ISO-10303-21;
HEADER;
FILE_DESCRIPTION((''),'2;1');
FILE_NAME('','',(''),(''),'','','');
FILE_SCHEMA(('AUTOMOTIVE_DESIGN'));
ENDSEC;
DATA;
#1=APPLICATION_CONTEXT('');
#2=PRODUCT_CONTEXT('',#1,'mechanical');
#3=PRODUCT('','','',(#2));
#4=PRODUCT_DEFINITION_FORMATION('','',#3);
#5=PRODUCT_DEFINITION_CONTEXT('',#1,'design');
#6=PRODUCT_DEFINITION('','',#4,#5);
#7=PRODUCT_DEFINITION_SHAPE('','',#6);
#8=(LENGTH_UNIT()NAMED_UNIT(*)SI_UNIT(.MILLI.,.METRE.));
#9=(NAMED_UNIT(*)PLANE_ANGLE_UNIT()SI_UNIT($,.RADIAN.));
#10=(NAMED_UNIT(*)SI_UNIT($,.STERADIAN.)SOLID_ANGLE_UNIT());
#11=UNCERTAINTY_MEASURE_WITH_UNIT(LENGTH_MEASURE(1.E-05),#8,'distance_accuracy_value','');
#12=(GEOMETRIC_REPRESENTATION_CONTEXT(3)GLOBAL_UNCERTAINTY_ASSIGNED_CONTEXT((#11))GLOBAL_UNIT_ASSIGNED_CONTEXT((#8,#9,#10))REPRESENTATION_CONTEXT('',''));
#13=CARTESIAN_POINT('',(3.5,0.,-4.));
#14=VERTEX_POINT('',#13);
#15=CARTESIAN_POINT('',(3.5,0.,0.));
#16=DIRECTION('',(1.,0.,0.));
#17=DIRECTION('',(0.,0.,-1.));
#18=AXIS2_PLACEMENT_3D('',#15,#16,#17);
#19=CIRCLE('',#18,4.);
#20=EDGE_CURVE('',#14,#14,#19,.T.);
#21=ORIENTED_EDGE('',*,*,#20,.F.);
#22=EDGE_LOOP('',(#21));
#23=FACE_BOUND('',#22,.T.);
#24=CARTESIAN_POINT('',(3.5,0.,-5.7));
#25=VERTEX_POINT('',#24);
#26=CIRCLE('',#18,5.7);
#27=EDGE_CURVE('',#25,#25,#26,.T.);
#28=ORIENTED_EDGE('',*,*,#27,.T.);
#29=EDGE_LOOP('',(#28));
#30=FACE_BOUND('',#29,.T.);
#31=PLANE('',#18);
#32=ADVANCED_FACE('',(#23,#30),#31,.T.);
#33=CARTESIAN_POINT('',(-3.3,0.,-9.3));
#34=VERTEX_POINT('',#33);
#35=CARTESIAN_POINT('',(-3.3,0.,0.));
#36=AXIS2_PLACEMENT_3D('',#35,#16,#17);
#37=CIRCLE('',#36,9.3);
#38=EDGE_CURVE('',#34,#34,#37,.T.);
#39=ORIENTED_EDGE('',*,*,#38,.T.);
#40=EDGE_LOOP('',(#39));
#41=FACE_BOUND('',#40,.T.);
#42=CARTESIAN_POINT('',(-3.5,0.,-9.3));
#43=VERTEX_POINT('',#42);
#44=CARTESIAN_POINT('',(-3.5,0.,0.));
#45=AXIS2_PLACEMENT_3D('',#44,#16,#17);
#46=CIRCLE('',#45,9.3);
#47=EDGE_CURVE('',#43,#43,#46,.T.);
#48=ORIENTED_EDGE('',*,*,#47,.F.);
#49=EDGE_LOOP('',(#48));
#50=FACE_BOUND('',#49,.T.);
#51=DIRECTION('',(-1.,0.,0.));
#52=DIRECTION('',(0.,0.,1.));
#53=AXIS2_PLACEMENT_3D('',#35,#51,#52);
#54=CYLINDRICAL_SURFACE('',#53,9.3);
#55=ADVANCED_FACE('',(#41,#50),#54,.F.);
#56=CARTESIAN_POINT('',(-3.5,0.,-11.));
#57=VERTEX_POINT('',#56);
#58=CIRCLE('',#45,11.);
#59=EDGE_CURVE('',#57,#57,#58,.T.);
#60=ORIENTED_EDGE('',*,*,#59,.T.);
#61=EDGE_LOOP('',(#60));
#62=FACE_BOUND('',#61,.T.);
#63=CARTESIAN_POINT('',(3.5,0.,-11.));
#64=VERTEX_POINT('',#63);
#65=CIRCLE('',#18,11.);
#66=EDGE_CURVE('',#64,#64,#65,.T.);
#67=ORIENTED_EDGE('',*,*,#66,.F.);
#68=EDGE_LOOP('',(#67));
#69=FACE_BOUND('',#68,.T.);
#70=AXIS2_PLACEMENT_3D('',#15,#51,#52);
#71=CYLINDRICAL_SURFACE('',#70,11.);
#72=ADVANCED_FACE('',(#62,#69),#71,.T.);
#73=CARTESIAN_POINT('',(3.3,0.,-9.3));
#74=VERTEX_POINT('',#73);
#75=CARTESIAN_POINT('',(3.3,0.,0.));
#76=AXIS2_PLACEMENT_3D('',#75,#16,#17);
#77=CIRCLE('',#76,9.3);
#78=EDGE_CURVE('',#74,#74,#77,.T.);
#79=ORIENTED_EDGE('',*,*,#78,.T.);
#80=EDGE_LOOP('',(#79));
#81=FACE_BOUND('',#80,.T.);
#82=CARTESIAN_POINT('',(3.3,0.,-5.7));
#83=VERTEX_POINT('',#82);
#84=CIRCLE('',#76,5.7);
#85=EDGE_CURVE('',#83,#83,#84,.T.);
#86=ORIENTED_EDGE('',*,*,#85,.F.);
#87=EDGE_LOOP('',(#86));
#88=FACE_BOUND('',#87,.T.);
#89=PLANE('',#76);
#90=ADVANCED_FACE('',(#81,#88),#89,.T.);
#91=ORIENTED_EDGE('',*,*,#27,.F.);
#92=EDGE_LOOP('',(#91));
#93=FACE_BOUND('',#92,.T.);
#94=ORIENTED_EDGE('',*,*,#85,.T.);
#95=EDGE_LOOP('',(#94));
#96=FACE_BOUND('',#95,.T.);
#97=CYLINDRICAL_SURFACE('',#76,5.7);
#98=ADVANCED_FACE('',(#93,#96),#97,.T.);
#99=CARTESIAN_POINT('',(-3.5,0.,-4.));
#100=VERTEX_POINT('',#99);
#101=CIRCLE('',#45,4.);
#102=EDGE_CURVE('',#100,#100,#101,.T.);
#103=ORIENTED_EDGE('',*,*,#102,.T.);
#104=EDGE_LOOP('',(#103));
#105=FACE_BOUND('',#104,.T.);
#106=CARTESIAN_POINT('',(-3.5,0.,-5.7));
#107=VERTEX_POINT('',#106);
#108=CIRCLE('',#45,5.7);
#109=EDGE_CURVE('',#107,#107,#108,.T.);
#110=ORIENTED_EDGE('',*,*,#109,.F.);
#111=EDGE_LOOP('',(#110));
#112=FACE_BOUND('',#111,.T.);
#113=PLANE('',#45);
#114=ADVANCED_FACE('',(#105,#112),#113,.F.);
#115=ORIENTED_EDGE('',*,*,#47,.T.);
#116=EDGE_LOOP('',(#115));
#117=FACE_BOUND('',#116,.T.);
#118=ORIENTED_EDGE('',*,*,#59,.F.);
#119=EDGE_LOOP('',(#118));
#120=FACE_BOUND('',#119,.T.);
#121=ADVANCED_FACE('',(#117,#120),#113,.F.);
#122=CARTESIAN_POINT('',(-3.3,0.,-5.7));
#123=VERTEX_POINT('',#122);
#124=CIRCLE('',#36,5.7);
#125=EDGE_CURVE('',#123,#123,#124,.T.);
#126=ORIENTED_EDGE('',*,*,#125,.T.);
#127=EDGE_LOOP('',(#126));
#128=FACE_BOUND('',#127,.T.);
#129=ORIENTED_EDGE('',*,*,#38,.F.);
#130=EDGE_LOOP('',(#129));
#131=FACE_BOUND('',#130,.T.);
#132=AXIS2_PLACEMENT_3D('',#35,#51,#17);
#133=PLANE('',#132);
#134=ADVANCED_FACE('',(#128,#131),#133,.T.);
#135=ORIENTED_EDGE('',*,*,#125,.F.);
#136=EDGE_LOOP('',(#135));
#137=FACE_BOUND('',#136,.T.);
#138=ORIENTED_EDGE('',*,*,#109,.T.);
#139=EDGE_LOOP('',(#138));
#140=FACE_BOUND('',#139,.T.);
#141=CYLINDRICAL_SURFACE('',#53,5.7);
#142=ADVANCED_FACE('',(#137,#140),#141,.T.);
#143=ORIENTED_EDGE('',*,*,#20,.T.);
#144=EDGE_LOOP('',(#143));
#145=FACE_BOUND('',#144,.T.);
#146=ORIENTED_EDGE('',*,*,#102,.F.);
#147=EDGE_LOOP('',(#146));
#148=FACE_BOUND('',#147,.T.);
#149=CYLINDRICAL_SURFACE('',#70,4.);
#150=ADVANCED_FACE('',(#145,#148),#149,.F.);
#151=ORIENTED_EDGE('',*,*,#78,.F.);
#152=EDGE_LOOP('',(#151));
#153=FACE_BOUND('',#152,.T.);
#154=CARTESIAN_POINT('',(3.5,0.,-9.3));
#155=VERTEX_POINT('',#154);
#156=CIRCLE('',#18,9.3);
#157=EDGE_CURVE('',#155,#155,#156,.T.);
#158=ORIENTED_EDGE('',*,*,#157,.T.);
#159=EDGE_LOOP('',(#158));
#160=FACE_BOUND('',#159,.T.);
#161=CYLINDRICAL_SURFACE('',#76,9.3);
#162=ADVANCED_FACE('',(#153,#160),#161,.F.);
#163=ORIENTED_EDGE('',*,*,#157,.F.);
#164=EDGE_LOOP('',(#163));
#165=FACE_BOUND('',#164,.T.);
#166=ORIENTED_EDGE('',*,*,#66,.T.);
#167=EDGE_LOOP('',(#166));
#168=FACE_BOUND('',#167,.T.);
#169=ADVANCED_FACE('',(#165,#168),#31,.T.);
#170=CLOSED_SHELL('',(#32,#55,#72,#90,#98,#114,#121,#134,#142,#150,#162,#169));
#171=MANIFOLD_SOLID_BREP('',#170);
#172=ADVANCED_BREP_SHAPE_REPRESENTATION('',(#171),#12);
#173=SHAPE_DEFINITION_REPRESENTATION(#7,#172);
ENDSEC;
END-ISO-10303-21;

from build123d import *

# Parameters (mm, degrees)
ESQUISSE1_R             = 11
ESQUISSE1_R_2           = 4
BOSS_EXTRU_1_DEPTH      = 3.5
ESQUISSE2_R             = 9.3
ESQUISSE2_R_2           = 5.7
ENL_V_MAT_EXTRU_1_DEPTH = 0.2


with BuildPart() as part:
    # Esquisse1 → Boss.-Extru.1 (new, symmetric)
    with BuildSketch(Plane(origin=(0, 0, 0), x_dir=(0, 0, -1), z_dir=(1, 0, 0))):
        Circle(ESQUISSE1_R)
        Circle(ESQUISSE1_R_2, mode=Mode.SUBTRACT)
    extrude(amount=BOSS_EXTRU_1_DEPTH, both=True)

    # Esquisse2 → Enlèv. mat.-Extru.1 (cut)
    with BuildSketch(Plane(origin=(3.5, 0, 0), x_dir=(0, 0, -1), z_dir=(1, 0, 0))):
        Circle(ESQUISSE2_R)
        Circle(ESQUISSE2_R_2, mode=Mode.SUBTRACT)
    enl_v_mat_extru_1 = extrude(amount=-ENL_V_MAT_EXTRU_1_DEPTH, mode=Mode.SUBTRACT)

    # Symétrie1: Enlèv. mat.-Extru.1 across plane
    add(enl_v_mat_extru_1.mirror(Plane(origin=(0, 0, 0), x_dir=(0, 0, 1), z_dir=(1, 0, 0))), mode=Mode.SUBTRACT)


solid = part.part
